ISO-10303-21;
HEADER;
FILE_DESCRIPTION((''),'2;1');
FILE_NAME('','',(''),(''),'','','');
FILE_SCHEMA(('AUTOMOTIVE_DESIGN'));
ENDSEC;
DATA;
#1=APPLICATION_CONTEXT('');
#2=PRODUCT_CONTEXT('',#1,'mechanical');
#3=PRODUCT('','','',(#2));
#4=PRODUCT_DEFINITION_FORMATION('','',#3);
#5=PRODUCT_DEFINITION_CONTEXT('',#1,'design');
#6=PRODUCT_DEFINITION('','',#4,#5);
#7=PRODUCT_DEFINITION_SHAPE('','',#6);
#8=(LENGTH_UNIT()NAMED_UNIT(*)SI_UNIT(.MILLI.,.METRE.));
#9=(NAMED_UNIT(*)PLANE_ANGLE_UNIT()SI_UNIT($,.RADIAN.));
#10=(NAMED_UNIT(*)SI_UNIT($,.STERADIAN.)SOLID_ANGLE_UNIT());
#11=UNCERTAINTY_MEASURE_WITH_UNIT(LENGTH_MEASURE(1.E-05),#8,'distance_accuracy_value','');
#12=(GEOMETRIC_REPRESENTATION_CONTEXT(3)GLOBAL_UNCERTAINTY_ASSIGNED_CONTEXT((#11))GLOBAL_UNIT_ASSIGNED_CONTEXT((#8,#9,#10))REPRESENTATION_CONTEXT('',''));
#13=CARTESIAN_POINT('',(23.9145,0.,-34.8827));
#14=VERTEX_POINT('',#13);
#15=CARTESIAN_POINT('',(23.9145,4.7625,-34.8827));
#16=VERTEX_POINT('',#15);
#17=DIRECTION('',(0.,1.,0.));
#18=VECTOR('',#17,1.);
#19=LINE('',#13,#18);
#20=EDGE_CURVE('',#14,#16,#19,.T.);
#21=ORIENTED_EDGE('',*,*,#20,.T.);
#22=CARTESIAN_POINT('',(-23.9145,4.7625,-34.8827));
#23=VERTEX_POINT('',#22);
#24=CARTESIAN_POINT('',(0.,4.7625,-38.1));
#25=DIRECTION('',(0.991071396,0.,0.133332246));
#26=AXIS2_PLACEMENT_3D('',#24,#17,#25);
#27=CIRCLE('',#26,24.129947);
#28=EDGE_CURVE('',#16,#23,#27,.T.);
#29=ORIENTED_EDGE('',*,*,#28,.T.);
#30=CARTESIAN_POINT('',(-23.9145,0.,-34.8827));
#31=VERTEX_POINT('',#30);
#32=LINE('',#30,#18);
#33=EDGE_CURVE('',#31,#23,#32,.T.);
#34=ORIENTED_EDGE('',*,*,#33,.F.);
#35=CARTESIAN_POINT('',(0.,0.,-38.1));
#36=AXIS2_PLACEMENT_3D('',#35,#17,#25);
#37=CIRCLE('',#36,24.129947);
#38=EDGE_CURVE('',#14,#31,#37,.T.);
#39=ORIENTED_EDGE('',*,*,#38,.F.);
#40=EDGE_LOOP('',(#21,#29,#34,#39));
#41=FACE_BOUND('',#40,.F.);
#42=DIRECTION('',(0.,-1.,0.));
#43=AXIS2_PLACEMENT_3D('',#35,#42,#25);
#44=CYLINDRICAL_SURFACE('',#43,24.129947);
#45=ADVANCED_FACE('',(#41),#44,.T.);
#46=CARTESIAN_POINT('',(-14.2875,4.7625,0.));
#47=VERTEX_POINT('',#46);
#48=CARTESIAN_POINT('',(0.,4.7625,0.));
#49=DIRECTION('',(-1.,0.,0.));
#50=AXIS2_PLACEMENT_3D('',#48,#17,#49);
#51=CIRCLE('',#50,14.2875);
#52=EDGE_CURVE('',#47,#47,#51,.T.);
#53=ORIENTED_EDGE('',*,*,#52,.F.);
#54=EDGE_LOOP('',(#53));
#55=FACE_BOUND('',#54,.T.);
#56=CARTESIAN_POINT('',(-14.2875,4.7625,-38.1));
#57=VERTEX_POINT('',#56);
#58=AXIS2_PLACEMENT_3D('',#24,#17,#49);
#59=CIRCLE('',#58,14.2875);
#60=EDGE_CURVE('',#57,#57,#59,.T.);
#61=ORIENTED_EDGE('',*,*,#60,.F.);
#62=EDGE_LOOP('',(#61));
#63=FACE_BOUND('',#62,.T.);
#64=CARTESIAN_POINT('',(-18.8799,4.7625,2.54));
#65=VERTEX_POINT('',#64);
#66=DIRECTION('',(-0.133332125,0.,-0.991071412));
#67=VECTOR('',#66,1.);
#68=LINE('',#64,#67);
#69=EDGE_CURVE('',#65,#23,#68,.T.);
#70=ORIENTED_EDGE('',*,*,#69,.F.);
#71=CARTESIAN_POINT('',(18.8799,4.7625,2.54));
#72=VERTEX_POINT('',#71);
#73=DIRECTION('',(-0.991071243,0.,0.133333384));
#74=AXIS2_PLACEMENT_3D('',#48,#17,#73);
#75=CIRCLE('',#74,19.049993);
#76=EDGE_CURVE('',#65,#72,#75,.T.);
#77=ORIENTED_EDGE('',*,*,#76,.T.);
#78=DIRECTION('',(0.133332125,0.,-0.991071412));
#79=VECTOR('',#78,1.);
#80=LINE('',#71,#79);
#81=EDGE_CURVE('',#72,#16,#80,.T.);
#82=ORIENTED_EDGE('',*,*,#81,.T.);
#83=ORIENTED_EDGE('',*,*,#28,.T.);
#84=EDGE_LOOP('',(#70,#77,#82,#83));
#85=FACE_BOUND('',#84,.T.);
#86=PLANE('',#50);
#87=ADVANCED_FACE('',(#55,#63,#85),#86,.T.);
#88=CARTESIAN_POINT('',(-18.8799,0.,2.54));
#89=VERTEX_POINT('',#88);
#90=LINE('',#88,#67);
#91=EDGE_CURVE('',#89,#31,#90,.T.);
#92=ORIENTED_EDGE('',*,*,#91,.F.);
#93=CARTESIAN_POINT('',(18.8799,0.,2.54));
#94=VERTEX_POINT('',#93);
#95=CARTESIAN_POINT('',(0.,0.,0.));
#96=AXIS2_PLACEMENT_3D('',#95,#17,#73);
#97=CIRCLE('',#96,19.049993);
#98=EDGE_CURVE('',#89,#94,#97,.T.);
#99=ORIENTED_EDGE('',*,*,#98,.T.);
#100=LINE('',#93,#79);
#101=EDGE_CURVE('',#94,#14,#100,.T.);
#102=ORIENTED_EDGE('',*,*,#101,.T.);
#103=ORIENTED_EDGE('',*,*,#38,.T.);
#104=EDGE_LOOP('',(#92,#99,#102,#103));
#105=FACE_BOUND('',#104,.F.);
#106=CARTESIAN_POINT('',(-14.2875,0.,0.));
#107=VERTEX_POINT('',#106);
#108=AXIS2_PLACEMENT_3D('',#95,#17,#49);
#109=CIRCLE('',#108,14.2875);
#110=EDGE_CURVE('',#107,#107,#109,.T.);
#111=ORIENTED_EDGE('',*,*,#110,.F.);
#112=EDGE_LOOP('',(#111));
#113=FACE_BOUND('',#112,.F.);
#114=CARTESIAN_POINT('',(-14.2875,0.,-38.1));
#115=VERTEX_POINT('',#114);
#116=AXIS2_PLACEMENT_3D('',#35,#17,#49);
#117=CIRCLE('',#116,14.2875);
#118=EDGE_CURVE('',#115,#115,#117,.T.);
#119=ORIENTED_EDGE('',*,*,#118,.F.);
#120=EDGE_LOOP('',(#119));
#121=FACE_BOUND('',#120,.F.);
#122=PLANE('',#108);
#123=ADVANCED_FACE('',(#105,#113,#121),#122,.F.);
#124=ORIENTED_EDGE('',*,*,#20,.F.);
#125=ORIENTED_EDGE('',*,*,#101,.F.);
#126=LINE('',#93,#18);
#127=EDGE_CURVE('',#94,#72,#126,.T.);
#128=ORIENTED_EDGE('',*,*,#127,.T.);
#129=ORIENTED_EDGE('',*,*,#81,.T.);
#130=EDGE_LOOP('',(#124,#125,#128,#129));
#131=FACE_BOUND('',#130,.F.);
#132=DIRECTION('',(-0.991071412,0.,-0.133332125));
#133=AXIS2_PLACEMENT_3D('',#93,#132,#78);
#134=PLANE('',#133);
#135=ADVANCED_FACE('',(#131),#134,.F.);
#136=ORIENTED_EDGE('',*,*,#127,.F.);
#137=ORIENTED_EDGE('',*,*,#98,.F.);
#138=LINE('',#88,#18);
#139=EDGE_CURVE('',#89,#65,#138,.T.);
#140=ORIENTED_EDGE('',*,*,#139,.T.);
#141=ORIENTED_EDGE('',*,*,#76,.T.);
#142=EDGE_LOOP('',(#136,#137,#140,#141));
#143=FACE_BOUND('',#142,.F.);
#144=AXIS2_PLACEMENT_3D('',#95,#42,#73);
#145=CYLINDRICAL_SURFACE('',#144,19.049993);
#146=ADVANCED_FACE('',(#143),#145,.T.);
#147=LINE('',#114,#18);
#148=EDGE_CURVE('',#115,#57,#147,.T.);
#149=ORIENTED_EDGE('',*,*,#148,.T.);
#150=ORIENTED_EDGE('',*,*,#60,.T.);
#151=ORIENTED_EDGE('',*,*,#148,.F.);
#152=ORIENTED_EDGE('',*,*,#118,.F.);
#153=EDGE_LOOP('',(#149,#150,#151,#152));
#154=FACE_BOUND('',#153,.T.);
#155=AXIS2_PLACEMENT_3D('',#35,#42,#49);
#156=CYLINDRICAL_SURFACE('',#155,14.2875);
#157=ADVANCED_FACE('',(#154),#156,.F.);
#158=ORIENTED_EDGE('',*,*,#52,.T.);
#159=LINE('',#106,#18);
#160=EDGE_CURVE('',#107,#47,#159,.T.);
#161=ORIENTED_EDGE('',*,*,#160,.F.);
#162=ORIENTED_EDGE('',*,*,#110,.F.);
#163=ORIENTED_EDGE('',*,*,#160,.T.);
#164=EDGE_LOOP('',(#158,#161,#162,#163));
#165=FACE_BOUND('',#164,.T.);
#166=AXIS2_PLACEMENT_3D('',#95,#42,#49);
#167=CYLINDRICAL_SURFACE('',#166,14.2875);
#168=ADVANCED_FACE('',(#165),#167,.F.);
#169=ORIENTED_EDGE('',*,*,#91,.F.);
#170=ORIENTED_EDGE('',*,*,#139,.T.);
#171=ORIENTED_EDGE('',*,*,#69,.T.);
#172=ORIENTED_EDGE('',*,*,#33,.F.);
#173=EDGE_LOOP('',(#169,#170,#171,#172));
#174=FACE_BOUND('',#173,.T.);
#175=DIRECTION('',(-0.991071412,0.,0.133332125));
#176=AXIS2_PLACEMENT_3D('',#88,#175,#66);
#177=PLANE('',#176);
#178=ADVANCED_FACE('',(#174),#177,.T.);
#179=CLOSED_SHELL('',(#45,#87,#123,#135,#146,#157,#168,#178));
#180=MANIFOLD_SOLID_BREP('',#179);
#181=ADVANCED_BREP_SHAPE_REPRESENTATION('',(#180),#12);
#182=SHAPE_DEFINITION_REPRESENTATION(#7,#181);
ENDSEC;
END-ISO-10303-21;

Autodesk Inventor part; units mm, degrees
ref_plane "YZ Plane" through (0, 0, 0) normal (1, 0, 0) x (0, 1, 0)
ref_plane "XZ Plane" through (0, 0, 0) normal (0, 1, 0) x (-1, 0, 0)
ref_plane "XY Plane" through (0, 0, 0) normal (0, 0, 1) x (1, 0, 0)
sketch "Sketch1" plane through (0, 0, 0) normal (0, 1, 0) x (-1, 0, 0)
  circle A0 centre (0, 0) radius 15.24 construction
  circle A1 centre (0, 0) radius 16.51 construction
  circle A2 centre (0, -38.1) radius 22.86 construction
  circle A3 centre (0, -38.1) radius 24.13 construction
  circle A4 centre (0, 0) radius 14.2875
  circle A5 centre (0, -38.1) radius 14.2875
  circle A6 centre (0, 0) radius 19.05 construction
  circle A7 centre (0, -38.1) radius 24.13 construction
  line L0 (18.8799, 2.54) -> (23.9145, -34.8827)
  line L1 (-18.8799, 2.54) -> (-23.9145, -34.8827)
  arc A8 (18.8799, 2.54) -> (-18.8799, 2.54) centre (0, 0) ccw
  arc A9 (-23.9145, -34.8827) -> (23.9145, -34.8827) centre (0, -38.1) ccw
  dimension "d0" = 30.48
  dimension "d2" = 1.27
  dimension "d3" = 45.72
  dimension "d5" = 1.27
  dimension "d6" = 28.575
  dimension "d7" = 4.7625
  dimension "d8" = 1.27
extrude "Extrusion1" add sketch "Sketch1" along normal blind 4.7625
properties part number "Train_006_Gearbox1"
